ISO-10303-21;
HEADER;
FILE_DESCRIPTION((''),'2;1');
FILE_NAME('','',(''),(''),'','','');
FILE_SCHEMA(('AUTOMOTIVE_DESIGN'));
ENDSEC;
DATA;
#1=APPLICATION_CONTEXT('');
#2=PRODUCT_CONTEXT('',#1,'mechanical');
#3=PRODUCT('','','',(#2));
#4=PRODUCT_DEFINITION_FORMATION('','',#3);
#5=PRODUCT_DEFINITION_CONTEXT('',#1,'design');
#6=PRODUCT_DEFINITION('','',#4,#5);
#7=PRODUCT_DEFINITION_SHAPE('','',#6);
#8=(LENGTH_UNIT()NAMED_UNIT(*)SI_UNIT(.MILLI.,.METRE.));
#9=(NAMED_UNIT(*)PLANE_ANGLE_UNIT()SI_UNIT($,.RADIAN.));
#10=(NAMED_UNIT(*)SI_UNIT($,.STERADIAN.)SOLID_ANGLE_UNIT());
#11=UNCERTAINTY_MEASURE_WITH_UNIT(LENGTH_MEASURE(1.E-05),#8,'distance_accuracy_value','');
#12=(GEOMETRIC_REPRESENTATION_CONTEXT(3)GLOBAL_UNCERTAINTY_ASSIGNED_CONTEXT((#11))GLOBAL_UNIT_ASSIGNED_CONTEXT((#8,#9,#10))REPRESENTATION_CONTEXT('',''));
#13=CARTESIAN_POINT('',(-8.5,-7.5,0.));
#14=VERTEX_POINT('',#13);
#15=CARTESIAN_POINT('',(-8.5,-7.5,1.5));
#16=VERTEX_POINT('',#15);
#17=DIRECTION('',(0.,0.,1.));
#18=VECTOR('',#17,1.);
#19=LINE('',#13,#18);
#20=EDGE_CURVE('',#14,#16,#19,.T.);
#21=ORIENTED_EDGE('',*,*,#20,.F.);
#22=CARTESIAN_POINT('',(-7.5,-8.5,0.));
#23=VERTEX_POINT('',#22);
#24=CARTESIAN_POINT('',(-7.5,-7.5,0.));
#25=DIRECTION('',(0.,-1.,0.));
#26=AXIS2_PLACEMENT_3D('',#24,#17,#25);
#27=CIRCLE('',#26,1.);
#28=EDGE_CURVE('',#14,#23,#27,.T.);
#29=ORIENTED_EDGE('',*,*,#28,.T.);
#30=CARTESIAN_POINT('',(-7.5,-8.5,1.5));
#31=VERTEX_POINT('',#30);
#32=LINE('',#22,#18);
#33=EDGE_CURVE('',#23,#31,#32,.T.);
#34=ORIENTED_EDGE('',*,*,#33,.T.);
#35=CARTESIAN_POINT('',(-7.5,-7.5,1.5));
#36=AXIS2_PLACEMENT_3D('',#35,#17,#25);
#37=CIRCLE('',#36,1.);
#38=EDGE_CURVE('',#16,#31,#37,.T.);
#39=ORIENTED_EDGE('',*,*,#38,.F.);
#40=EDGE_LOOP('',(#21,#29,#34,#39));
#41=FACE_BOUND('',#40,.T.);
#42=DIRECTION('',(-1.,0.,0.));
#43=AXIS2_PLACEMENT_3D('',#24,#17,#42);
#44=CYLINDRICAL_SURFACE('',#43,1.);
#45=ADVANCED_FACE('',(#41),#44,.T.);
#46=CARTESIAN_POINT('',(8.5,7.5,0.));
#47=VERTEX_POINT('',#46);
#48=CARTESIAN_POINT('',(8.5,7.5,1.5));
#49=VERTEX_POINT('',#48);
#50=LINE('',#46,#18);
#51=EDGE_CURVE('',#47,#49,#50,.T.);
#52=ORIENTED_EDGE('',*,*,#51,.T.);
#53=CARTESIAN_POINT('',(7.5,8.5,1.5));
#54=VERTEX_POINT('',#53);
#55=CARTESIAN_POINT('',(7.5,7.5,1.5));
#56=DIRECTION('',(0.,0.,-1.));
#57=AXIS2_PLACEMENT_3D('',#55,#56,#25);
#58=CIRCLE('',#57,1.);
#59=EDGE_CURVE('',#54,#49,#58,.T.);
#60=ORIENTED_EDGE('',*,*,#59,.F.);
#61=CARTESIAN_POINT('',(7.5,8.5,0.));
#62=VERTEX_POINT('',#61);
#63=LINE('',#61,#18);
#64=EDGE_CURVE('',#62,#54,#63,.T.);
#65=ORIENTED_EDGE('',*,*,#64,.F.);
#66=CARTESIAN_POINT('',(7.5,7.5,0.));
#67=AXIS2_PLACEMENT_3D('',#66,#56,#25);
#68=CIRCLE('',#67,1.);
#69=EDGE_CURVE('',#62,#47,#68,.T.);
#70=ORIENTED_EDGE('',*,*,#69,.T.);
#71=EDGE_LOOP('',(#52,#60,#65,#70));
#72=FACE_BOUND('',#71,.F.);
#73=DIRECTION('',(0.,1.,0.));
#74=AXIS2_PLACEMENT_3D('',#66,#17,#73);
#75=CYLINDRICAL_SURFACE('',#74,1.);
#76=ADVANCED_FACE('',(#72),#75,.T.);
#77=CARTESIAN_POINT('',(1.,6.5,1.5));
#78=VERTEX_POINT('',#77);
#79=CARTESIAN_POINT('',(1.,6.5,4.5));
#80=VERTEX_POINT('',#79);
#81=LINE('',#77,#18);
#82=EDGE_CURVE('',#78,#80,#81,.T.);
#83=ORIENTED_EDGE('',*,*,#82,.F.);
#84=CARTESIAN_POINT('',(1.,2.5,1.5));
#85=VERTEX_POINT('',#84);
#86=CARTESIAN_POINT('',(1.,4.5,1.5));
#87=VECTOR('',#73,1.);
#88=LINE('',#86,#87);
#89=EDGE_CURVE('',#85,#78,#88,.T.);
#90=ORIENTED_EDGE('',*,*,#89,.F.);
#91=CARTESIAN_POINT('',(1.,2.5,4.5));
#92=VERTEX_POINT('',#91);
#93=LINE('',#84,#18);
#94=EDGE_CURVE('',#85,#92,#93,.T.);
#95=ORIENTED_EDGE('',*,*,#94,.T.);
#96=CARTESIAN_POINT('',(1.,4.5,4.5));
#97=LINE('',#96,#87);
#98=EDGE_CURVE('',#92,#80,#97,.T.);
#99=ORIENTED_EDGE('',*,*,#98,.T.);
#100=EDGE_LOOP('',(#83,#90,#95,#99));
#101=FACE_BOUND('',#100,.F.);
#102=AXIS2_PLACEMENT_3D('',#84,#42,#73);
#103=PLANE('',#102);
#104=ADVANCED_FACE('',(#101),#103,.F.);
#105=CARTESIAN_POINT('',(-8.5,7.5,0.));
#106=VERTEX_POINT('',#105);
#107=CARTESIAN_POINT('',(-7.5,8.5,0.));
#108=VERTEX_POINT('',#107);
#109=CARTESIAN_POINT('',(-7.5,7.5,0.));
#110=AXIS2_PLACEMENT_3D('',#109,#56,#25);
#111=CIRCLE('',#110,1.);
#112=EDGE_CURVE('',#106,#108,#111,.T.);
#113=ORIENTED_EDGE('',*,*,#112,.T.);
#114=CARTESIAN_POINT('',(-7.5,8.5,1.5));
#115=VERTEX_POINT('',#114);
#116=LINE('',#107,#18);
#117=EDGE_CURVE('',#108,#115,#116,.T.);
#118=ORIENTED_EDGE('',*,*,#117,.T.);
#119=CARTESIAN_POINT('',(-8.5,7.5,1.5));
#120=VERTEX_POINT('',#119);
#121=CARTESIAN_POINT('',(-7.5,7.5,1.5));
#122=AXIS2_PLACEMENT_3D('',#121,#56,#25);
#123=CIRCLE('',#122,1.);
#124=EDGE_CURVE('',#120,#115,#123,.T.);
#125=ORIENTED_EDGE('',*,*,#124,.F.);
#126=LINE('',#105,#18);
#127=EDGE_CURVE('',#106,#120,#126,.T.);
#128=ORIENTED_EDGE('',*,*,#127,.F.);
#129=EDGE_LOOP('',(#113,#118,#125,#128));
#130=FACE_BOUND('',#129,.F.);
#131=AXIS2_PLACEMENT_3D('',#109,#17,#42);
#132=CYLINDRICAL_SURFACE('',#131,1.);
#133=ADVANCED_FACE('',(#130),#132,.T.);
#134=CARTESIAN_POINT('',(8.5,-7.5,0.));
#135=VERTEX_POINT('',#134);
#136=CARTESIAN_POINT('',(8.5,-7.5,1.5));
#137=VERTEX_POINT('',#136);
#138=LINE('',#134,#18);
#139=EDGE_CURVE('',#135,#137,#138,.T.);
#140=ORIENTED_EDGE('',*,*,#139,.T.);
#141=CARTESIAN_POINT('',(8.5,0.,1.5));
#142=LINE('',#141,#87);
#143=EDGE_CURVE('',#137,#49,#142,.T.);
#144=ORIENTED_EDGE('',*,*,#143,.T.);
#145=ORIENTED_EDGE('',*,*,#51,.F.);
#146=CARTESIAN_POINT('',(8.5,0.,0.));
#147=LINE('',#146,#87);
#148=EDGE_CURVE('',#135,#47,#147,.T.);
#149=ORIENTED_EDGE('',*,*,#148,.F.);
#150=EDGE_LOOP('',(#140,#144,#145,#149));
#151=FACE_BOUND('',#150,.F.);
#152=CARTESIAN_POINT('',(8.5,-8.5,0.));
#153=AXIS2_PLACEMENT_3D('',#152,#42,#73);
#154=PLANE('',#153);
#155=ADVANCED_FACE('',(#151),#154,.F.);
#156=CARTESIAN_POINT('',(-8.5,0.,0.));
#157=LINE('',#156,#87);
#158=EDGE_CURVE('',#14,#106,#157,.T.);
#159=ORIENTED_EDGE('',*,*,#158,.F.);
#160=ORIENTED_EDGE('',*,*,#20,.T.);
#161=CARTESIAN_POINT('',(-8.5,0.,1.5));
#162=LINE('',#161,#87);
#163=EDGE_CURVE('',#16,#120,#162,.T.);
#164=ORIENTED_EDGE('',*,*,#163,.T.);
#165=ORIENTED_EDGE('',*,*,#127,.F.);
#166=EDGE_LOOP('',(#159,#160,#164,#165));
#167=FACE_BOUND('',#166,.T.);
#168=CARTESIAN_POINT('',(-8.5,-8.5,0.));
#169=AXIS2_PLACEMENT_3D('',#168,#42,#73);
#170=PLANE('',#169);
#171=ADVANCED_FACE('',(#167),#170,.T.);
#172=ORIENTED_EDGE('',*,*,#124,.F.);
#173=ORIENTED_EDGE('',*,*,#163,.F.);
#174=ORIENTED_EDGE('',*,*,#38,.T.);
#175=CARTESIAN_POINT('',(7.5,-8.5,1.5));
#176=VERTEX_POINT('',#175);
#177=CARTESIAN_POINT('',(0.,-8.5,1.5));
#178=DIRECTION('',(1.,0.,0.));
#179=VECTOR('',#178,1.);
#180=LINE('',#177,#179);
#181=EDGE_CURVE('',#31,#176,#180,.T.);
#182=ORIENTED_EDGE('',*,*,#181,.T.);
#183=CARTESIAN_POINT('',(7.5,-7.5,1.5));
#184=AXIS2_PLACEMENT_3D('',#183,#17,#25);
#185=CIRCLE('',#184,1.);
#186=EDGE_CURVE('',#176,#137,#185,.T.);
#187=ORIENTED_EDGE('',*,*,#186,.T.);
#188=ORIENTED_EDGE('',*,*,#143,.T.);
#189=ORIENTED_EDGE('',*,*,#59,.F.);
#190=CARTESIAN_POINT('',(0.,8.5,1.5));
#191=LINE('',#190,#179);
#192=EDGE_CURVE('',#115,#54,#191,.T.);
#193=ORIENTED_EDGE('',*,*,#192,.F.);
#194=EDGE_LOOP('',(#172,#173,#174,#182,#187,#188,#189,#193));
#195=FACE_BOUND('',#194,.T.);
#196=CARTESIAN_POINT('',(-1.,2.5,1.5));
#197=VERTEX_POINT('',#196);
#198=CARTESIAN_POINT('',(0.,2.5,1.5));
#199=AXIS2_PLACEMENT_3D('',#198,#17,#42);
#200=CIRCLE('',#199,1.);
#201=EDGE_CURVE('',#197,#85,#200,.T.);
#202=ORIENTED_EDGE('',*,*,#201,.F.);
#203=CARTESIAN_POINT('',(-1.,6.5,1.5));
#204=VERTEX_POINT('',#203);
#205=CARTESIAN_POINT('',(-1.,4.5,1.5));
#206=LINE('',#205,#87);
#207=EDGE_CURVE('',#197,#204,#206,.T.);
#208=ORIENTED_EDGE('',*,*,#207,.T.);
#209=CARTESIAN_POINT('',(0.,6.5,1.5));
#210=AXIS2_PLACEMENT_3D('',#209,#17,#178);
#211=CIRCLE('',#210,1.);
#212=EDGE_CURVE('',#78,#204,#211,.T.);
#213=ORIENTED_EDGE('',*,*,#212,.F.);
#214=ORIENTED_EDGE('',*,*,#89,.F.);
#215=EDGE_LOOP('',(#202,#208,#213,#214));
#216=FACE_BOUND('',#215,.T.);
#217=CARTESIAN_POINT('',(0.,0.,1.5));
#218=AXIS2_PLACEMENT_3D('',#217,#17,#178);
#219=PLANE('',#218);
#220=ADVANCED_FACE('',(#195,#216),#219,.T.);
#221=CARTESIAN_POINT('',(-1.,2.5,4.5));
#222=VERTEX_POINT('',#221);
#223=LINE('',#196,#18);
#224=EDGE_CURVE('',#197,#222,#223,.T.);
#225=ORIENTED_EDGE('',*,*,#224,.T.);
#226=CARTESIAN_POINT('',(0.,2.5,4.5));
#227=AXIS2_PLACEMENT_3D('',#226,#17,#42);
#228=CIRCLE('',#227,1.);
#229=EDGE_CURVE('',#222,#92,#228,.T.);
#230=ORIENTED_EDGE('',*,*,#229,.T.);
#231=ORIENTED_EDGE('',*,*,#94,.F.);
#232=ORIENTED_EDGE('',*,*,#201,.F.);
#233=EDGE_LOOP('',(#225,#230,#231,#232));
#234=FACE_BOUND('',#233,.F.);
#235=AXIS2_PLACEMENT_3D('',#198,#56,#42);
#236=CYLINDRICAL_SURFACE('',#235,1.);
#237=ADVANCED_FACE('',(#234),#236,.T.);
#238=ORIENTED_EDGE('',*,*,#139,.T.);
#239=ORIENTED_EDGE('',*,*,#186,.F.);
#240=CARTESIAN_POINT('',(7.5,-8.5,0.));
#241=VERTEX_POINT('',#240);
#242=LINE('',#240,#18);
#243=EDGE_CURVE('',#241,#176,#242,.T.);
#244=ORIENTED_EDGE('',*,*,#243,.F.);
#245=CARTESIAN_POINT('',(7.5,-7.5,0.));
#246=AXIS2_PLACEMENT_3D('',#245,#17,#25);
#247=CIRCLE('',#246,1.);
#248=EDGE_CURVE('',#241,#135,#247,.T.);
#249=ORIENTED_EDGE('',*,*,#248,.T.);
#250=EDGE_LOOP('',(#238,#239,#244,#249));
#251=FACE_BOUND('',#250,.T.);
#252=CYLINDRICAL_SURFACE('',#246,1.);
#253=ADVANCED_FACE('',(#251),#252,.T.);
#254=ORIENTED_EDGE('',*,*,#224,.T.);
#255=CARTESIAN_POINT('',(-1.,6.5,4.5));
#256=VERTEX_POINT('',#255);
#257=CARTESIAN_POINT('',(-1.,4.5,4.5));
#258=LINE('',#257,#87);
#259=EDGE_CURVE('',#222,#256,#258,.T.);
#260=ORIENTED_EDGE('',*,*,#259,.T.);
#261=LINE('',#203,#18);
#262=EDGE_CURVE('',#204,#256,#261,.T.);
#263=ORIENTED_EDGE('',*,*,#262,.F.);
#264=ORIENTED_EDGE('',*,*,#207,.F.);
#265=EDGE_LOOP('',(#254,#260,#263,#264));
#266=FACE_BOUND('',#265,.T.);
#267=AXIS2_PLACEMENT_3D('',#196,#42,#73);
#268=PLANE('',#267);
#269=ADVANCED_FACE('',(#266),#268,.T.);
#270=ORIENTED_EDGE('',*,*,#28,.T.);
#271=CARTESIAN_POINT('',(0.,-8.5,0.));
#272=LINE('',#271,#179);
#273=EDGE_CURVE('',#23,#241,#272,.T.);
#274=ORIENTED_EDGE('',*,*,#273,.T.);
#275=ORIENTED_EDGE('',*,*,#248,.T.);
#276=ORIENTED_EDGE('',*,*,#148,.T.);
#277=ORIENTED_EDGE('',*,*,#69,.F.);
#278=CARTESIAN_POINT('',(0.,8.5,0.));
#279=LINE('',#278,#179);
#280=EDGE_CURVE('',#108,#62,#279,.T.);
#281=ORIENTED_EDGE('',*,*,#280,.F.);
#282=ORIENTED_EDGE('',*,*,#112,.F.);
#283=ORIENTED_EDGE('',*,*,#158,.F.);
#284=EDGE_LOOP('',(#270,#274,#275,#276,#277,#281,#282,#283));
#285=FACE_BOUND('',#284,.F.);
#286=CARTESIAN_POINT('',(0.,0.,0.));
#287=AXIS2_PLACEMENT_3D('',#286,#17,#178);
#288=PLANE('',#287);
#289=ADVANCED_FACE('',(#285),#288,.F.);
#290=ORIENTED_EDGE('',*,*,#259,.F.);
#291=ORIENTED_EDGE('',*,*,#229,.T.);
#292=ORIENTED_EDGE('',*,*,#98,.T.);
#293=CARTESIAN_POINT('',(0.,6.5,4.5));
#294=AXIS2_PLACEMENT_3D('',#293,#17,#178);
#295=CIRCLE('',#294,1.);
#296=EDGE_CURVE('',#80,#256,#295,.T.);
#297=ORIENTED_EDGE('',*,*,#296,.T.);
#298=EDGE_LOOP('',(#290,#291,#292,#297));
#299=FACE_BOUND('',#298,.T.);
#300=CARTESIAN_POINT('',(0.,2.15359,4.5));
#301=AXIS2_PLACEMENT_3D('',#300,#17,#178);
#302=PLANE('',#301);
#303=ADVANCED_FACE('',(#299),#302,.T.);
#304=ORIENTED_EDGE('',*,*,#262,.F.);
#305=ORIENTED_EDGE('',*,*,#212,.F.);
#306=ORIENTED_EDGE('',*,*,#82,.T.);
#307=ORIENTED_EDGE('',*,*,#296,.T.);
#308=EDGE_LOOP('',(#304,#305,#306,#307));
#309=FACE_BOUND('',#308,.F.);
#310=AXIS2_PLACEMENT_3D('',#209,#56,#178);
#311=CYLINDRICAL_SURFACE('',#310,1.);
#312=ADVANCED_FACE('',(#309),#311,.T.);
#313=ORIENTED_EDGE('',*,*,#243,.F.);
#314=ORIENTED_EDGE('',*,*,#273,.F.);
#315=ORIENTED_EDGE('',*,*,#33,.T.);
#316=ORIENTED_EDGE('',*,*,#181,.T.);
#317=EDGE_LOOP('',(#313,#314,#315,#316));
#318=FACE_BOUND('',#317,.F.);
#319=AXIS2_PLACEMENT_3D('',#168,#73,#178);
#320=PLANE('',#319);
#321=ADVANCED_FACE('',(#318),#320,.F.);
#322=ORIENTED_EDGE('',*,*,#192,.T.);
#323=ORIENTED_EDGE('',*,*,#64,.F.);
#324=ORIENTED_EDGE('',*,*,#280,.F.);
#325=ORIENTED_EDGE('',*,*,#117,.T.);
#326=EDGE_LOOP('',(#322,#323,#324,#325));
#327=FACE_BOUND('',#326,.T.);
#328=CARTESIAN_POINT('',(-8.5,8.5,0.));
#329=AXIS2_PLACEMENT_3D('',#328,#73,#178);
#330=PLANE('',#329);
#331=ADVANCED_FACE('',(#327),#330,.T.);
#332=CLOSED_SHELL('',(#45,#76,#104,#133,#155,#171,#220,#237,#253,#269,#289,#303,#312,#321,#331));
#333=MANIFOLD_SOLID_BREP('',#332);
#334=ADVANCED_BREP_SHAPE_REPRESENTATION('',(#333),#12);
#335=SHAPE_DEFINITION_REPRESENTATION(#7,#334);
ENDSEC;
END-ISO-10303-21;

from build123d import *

# Parameters (mm, degrees)
F0_W     = 17
F0_H     = 17
F1_DEPTH = 1.5
F2_W     = 2
F2_H     = 4
F3_DEPTH = 3
F4_R     = 1


with BuildPart() as f1:
    # F0 (on Top) → F1 (new body)
    with BuildSketch(Plane.XY):
        Rectangle(F0_W, F0_H)
    extrude(amount=F1_DEPTH)

    # F2 (on face) → F3 (join)
    with BuildSketch(Plane.XY.offset(1.5)):
        with BuildLine():
            ThreePointArc((-1, 2.5), (0, 1.5), (1, 2.5))
            Line((1, 2.5), (-1, 2.5))
        make_face()
        with Locations((0, 4.5)):
            Rectangle(F2_W, F2_H)
        with BuildLine():
            Line((-1, 6.5), (1, 6.5))
            ThreePointArc((1, 6.5), (0, 7.5), (-1, 6.5))
        make_face()
    extrude(amount=F3_DEPTH)

    # F4
    f4_edges = [f1.edges().sort_by_distance(p)[0] for p in [
        (-8.5, 8.5, 0.75),
        (-8.5, -8.5, 0.75),
        (8.5, 8.5, 0.75),
        (8.5, -8.5, 0.75),
    ]]
    fillet(f4_edges, radius=F4_R)


solid = f1.part
